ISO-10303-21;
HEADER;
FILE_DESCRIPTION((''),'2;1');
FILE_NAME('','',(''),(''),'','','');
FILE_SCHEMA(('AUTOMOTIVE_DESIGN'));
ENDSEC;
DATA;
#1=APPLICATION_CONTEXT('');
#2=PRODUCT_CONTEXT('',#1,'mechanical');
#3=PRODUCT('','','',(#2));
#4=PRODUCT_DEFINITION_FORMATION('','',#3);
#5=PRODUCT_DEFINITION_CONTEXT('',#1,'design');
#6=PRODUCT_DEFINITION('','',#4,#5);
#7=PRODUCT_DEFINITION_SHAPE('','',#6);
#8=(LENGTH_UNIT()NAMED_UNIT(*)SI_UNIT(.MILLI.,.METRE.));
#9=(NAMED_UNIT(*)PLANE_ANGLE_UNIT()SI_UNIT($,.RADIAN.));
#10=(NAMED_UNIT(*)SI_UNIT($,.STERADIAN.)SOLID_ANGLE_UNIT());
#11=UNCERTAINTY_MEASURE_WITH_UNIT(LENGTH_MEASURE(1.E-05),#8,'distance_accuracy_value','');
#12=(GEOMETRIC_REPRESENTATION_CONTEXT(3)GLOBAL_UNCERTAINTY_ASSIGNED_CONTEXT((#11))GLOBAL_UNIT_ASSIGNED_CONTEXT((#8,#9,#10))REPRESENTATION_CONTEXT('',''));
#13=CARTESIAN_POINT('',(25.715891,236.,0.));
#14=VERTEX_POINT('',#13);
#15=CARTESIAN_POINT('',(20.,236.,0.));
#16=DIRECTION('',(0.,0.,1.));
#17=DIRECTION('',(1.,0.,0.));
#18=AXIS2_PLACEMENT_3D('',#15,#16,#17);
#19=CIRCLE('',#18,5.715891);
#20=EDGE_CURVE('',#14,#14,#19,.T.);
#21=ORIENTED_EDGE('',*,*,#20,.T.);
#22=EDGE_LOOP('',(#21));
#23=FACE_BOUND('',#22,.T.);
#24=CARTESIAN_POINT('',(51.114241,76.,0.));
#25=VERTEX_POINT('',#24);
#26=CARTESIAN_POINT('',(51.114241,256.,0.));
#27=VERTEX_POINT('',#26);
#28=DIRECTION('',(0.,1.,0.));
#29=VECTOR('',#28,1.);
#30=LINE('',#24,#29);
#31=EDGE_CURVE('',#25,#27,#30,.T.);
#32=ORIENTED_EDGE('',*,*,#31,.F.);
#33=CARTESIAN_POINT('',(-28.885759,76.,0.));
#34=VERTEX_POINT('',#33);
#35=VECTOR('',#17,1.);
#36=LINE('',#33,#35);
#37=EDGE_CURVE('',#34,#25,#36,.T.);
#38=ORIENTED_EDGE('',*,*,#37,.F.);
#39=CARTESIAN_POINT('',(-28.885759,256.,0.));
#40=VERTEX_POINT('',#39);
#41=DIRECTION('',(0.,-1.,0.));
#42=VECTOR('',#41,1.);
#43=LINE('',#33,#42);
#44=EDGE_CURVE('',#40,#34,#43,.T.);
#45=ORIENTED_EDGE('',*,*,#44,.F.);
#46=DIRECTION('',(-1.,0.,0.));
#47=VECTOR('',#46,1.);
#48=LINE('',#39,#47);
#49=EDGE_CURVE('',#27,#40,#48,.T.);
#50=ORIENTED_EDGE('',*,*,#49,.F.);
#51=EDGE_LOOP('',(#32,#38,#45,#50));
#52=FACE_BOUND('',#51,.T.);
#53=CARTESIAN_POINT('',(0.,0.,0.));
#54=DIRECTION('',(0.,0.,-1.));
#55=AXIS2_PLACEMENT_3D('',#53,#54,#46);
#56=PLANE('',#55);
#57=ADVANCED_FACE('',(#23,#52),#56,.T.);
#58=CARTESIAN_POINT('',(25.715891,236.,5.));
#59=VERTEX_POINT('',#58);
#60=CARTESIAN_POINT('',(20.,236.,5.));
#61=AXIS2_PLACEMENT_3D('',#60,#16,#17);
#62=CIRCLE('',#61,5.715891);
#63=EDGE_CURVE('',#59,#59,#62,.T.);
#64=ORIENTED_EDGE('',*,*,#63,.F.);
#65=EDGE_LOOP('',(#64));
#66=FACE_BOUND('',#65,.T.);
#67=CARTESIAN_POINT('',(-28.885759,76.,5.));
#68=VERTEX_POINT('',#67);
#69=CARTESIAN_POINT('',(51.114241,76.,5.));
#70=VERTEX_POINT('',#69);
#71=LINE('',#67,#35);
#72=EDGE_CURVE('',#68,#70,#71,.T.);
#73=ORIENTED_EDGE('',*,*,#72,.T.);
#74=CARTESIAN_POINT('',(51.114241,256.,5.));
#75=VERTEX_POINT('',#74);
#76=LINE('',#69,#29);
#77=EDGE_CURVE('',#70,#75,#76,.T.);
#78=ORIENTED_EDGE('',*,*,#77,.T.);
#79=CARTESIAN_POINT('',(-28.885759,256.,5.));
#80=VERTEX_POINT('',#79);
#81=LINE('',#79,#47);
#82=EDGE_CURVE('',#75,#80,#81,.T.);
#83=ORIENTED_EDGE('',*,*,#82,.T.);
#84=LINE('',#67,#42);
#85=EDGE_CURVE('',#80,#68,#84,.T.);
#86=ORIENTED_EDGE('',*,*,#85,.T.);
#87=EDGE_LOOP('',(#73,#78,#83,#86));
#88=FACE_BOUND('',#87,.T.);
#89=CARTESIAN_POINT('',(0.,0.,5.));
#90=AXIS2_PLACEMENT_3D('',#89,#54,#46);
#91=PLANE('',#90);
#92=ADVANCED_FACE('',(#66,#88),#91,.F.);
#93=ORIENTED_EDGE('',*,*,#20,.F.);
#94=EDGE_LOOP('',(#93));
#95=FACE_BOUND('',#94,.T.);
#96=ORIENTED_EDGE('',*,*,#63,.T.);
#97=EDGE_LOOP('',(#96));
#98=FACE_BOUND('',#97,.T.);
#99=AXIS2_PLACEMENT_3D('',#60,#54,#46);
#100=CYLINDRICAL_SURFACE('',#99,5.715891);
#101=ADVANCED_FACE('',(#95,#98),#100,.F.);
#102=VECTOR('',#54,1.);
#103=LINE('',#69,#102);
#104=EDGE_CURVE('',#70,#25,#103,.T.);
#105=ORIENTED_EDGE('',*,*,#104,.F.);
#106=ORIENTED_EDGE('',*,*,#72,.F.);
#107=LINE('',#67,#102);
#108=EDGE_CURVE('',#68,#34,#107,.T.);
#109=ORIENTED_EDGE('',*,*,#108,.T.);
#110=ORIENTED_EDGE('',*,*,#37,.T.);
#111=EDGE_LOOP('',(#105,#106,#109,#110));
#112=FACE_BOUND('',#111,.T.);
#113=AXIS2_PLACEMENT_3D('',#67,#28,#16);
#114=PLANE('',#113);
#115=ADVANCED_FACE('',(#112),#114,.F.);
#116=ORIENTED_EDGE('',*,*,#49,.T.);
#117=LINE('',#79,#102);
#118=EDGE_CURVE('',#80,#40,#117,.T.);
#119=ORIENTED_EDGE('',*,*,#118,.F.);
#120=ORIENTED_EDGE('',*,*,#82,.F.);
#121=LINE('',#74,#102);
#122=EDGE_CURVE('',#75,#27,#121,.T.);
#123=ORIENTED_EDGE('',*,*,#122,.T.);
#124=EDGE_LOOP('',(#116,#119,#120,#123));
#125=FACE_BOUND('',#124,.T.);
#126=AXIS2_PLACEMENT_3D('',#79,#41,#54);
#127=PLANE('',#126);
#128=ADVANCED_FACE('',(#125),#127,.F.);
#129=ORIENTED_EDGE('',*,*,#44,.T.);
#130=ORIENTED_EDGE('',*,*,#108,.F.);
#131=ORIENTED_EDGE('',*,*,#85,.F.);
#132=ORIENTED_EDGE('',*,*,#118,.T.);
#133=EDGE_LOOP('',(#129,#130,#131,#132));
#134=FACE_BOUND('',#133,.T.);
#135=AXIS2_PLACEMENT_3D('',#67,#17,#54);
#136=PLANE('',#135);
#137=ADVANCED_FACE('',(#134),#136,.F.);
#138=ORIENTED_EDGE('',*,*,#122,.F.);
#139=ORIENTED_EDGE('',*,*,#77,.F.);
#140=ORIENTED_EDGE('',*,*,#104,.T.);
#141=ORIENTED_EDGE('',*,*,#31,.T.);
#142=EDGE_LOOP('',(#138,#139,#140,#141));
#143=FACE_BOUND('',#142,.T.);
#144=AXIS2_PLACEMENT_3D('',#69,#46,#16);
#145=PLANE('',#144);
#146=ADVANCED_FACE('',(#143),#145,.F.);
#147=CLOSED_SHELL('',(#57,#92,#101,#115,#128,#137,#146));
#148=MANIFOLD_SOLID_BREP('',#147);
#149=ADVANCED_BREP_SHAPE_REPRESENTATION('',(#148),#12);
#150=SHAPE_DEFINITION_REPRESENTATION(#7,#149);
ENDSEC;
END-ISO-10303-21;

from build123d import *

# Parameters (mm, degrees)
SKETCH1_W           = 80
SKETCH1_H           = 180
SKETCH1_R           = 5.71589138
BOSS_EXTRUDE1_DEPTH = 5


with BuildPart() as part:
    # Sketch1 → Boss-Extrude1 (new body)
    with BuildSketch(Plane.XY):
        with Locations((11.114240794, 166)):
            Rectangle(SKETCH1_W, SKETCH1_H)
        with Locations((20, 236)):
            Circle(SKETCH1_R, mode=Mode.SUBTRACT)
    extrude(amount=BOSS_EXTRUDE1_DEPTH)


solid = part.part
